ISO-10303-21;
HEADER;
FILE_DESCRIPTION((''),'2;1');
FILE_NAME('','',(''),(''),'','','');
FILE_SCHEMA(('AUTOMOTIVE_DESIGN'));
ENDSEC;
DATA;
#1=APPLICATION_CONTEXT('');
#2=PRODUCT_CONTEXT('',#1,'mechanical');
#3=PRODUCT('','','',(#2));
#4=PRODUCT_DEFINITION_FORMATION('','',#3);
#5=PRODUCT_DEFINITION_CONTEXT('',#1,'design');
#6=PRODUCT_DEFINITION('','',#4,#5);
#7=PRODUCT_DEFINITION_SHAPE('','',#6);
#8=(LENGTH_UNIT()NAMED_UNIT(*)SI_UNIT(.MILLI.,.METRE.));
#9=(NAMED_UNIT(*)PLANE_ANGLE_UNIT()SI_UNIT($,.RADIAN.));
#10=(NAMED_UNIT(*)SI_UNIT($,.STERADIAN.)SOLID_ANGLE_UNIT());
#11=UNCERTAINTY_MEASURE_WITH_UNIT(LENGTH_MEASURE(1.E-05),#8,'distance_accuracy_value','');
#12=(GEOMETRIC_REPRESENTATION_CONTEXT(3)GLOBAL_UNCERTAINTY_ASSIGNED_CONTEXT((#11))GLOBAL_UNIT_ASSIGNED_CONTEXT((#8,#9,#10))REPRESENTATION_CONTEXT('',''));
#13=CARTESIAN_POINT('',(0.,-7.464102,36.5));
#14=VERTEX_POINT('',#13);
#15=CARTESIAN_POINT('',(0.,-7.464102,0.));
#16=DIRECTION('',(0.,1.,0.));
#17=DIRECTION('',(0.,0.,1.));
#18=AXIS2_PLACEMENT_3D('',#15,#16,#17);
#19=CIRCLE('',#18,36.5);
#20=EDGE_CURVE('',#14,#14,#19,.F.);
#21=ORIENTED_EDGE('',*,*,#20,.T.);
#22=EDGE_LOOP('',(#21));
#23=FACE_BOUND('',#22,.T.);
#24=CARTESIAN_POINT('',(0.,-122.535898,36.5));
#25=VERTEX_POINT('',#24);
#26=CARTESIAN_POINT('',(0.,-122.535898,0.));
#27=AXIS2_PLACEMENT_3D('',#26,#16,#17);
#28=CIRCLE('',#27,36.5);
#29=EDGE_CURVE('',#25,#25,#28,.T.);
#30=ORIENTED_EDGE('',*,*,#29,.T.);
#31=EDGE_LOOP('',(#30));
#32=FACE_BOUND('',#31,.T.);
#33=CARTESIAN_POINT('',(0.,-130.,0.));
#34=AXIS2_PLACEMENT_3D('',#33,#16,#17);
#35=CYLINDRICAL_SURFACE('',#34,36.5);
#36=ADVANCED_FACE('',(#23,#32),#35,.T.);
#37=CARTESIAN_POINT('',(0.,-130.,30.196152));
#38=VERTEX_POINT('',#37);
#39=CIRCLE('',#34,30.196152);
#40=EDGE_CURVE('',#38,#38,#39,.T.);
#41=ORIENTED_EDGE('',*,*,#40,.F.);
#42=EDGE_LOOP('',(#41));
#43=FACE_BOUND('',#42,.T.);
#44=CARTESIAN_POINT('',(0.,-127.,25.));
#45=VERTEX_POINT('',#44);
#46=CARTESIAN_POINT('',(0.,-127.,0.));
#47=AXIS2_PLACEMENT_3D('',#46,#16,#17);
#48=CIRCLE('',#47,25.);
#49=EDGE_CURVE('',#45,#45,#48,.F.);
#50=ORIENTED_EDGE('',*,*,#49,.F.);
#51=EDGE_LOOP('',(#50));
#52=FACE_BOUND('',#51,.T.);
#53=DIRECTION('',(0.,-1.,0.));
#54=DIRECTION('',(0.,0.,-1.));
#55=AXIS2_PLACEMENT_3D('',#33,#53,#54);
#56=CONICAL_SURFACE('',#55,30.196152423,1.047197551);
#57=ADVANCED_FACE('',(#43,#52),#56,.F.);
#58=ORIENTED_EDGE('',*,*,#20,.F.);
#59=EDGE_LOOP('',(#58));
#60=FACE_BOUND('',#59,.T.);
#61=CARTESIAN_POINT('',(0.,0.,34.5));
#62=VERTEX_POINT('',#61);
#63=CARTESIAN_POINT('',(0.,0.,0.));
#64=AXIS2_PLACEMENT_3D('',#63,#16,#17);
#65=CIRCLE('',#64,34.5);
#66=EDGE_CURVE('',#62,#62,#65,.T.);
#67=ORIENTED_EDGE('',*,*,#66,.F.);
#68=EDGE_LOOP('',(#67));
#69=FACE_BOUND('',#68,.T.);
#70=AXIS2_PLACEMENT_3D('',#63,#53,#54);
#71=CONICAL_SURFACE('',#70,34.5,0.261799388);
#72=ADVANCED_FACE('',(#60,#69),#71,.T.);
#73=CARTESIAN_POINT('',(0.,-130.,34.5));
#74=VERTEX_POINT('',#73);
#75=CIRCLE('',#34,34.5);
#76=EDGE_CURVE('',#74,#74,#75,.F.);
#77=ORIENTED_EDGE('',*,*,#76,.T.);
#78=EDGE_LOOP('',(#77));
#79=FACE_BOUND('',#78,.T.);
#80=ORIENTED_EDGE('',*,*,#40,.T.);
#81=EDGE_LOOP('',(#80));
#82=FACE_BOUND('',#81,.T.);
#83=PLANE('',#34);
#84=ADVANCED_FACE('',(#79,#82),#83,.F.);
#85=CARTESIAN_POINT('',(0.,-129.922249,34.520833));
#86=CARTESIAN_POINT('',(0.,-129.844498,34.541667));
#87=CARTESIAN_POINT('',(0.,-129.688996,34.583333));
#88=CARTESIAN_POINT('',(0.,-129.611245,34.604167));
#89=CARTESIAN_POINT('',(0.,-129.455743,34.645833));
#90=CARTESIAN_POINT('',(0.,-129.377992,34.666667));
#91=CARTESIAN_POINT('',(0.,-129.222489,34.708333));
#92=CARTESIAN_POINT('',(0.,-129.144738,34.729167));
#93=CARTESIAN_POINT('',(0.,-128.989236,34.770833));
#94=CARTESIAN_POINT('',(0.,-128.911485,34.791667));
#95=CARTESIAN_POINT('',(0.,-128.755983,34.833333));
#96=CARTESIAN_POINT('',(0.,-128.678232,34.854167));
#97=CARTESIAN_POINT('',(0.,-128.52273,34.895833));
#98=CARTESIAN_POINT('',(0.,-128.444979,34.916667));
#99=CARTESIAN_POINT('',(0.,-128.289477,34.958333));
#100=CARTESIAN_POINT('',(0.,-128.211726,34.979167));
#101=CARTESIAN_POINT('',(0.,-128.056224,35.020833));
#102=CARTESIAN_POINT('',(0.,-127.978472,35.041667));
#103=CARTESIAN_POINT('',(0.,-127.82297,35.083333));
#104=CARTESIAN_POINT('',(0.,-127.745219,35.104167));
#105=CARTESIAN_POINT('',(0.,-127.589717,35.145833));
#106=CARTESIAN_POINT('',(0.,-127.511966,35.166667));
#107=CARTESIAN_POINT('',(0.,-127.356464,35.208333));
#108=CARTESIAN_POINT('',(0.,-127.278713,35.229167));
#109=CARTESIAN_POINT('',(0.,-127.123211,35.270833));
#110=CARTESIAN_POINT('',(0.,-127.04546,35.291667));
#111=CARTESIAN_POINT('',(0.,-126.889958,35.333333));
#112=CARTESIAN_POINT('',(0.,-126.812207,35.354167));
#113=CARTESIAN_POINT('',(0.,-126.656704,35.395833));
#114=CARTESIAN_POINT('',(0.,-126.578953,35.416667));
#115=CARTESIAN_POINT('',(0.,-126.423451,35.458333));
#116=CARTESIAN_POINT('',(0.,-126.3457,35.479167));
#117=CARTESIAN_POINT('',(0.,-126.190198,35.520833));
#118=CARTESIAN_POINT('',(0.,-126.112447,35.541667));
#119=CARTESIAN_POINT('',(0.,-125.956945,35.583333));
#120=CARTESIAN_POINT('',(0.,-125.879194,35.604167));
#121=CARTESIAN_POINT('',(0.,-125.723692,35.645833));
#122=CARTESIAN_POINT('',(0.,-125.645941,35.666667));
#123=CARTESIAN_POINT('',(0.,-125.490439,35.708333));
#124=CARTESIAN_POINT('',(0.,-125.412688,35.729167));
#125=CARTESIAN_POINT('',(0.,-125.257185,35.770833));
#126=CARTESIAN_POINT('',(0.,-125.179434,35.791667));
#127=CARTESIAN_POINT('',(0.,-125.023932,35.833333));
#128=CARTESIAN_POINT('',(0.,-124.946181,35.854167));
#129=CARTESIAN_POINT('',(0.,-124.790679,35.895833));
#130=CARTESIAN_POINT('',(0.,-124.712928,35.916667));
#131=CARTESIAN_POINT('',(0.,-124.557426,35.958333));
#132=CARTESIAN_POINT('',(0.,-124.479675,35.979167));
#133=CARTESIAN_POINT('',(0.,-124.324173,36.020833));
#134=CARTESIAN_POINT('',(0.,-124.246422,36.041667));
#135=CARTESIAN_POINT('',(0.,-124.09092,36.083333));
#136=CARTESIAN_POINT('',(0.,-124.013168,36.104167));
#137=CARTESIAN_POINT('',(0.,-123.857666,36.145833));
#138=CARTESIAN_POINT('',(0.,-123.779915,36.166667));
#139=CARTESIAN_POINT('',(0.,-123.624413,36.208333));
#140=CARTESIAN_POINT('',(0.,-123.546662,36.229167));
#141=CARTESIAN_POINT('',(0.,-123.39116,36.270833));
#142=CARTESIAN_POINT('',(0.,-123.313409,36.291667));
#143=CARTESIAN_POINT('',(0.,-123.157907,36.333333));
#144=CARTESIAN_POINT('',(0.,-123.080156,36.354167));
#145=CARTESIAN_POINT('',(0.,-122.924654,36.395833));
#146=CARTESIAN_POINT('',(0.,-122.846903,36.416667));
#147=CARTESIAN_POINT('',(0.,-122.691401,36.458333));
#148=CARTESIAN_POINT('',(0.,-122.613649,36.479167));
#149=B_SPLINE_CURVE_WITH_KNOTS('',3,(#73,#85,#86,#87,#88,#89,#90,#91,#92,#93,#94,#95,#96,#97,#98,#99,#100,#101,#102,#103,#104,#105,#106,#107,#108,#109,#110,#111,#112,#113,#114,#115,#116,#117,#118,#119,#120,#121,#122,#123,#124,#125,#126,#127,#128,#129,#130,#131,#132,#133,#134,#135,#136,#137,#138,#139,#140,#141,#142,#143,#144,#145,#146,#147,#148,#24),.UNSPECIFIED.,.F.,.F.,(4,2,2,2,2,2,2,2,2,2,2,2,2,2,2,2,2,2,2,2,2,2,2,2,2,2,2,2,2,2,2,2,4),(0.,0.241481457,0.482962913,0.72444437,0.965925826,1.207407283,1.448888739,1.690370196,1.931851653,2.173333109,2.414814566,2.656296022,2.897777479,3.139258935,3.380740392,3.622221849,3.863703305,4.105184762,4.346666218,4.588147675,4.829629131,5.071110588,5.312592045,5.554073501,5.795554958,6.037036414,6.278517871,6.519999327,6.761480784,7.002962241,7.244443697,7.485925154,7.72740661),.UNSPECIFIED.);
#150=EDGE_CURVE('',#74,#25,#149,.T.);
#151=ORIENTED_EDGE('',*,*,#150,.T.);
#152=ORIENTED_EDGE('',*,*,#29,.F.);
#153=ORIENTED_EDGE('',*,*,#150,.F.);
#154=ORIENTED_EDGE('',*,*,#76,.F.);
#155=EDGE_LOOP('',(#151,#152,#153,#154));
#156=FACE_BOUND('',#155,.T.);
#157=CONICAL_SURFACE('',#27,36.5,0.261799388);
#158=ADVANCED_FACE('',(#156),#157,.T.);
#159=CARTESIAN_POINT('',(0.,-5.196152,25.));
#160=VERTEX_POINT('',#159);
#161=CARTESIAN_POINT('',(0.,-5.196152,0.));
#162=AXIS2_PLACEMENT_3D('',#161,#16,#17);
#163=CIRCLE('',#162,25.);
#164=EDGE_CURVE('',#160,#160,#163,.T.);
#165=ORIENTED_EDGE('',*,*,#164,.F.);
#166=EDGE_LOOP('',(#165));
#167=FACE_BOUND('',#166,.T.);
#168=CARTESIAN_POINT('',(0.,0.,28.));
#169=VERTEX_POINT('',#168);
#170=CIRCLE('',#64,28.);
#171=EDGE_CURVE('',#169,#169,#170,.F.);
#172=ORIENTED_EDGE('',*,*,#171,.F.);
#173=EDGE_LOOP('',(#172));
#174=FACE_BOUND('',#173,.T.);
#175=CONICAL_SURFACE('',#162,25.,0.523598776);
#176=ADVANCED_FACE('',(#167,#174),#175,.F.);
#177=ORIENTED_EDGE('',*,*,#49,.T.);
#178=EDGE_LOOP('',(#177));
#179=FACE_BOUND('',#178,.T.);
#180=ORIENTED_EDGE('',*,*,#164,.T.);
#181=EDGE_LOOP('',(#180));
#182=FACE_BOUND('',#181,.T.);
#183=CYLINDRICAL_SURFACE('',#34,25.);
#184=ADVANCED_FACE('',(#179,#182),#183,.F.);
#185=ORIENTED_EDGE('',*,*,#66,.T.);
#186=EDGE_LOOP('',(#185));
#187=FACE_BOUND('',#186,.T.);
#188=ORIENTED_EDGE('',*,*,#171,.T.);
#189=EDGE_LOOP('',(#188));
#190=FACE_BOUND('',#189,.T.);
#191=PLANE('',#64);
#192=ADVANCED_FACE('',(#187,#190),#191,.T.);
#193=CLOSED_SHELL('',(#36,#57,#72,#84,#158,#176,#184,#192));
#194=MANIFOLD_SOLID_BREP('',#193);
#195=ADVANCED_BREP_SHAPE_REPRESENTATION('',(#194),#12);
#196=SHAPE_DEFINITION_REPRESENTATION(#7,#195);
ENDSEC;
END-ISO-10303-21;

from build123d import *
from OCP.BRepFilletAPI import BRepFilletAPI_MakeChamfer

# Parameters (mm, degrees)
SKETCH1_R           = 36.5
SKETCH1_R_2         = 25
BOSS_EXTRUDE1_DEPTH = 130
CHAMFER1_SIZE       = 3
CHAMFER1_SIZE2      = 5.196152423
CHAMFER2_SIZE       = 2
CHAMFER2_SIZE2      = 7.464101615
CHAMFER3_SIZE       = 2
CHAMFER3_SIZE2      = 7.464101615


with BuildPart() as part:
    # Sketch1 → Boss-Extrude1 (new body)
    with BuildSketch(Plane(origin=(0, 0, 0), x_dir=(1, 0, 0), z_dir=(0, 1, 0))):
        with Locations(Location((0, 0, 0), (0, 0, 270))):
            Circle(SKETCH1_R)
        with Locations(Location((0, 0, 0), (0, 0, 270))):
            Circle(SKETCH1_R_2, mode=Mode.SUBTRACT)
    extrude(amount=-BOSS_EXTRUDE1_DEPTH)

    # Chamfer1: one chamfer whose edges measure the first distance from different faces: ONE call of the kernel's chamfer builder (chamfer() names one face for all edges)
    chamfer1_edges_1 = [part.edges().sort_by_distance(p)[0] for p in [
        (0, -130, -25),
    ]]
    chamfer1_side_1 = [part.faces().sort_by_distance(p)[0] for p in [
        (0, -65, -25),
    ]]
    chamfer1_edges_2 = [part.edges().sort_by_distance(p)[0] for p in [
        (0, 0, -25),
    ]]
    chamfer1_side_2 = [part.faces().sort_by_distance(p)[0] for p in [
        (0, 0, -35.467624099),
    ]]
    chamfer1 = BRepFilletAPI_MakeChamfer(part.part.solid().wrapped)
    for e in chamfer1_edges_1:
        chamfer1.Add(CHAMFER1_SIZE, CHAMFER1_SIZE2, e.wrapped, chamfer1_side_1[0].wrapped)  # the first distance lies on this face
    for e in chamfer1_edges_2:
        chamfer1.Add(CHAMFER1_SIZE, CHAMFER1_SIZE2, e.wrapped, chamfer1_side_2[0].wrapped)  # the first distance lies on this face
    add(Compound.cast(chamfer1.Shape()), mode=Mode.REPLACE)

    # Chamfer2
    chamfer2_edges = [part.edges().sort_by_distance(p)[0] for p in [
        (0, -130, -36.5),
    ]]
    chamfer2_side = [part.faces().sort_by_distance(p)[0] for p in [
        (0, -130, -31.228528323),
    ]]
    chamfer(chamfer2_edges, length=CHAMFER2_SIZE, length2=CHAMFER2_SIZE2, reference=chamfer2_side[0])

    # Chamfer3
    chamfer3_edges = [part.edges().sort_by_distance(p)[0] for p in [
        (0, 0, -36.5),
    ]]
    chamfer3_side = [part.faces().sort_by_distance(p)[0] for p in [
        (0, 0, -29.032375901),
    ]]
    chamfer(chamfer3_edges, length=CHAMFER3_SIZE, length2=CHAMFER3_SIZE2, reference=chamfer3_side[0])


solid = part.part
